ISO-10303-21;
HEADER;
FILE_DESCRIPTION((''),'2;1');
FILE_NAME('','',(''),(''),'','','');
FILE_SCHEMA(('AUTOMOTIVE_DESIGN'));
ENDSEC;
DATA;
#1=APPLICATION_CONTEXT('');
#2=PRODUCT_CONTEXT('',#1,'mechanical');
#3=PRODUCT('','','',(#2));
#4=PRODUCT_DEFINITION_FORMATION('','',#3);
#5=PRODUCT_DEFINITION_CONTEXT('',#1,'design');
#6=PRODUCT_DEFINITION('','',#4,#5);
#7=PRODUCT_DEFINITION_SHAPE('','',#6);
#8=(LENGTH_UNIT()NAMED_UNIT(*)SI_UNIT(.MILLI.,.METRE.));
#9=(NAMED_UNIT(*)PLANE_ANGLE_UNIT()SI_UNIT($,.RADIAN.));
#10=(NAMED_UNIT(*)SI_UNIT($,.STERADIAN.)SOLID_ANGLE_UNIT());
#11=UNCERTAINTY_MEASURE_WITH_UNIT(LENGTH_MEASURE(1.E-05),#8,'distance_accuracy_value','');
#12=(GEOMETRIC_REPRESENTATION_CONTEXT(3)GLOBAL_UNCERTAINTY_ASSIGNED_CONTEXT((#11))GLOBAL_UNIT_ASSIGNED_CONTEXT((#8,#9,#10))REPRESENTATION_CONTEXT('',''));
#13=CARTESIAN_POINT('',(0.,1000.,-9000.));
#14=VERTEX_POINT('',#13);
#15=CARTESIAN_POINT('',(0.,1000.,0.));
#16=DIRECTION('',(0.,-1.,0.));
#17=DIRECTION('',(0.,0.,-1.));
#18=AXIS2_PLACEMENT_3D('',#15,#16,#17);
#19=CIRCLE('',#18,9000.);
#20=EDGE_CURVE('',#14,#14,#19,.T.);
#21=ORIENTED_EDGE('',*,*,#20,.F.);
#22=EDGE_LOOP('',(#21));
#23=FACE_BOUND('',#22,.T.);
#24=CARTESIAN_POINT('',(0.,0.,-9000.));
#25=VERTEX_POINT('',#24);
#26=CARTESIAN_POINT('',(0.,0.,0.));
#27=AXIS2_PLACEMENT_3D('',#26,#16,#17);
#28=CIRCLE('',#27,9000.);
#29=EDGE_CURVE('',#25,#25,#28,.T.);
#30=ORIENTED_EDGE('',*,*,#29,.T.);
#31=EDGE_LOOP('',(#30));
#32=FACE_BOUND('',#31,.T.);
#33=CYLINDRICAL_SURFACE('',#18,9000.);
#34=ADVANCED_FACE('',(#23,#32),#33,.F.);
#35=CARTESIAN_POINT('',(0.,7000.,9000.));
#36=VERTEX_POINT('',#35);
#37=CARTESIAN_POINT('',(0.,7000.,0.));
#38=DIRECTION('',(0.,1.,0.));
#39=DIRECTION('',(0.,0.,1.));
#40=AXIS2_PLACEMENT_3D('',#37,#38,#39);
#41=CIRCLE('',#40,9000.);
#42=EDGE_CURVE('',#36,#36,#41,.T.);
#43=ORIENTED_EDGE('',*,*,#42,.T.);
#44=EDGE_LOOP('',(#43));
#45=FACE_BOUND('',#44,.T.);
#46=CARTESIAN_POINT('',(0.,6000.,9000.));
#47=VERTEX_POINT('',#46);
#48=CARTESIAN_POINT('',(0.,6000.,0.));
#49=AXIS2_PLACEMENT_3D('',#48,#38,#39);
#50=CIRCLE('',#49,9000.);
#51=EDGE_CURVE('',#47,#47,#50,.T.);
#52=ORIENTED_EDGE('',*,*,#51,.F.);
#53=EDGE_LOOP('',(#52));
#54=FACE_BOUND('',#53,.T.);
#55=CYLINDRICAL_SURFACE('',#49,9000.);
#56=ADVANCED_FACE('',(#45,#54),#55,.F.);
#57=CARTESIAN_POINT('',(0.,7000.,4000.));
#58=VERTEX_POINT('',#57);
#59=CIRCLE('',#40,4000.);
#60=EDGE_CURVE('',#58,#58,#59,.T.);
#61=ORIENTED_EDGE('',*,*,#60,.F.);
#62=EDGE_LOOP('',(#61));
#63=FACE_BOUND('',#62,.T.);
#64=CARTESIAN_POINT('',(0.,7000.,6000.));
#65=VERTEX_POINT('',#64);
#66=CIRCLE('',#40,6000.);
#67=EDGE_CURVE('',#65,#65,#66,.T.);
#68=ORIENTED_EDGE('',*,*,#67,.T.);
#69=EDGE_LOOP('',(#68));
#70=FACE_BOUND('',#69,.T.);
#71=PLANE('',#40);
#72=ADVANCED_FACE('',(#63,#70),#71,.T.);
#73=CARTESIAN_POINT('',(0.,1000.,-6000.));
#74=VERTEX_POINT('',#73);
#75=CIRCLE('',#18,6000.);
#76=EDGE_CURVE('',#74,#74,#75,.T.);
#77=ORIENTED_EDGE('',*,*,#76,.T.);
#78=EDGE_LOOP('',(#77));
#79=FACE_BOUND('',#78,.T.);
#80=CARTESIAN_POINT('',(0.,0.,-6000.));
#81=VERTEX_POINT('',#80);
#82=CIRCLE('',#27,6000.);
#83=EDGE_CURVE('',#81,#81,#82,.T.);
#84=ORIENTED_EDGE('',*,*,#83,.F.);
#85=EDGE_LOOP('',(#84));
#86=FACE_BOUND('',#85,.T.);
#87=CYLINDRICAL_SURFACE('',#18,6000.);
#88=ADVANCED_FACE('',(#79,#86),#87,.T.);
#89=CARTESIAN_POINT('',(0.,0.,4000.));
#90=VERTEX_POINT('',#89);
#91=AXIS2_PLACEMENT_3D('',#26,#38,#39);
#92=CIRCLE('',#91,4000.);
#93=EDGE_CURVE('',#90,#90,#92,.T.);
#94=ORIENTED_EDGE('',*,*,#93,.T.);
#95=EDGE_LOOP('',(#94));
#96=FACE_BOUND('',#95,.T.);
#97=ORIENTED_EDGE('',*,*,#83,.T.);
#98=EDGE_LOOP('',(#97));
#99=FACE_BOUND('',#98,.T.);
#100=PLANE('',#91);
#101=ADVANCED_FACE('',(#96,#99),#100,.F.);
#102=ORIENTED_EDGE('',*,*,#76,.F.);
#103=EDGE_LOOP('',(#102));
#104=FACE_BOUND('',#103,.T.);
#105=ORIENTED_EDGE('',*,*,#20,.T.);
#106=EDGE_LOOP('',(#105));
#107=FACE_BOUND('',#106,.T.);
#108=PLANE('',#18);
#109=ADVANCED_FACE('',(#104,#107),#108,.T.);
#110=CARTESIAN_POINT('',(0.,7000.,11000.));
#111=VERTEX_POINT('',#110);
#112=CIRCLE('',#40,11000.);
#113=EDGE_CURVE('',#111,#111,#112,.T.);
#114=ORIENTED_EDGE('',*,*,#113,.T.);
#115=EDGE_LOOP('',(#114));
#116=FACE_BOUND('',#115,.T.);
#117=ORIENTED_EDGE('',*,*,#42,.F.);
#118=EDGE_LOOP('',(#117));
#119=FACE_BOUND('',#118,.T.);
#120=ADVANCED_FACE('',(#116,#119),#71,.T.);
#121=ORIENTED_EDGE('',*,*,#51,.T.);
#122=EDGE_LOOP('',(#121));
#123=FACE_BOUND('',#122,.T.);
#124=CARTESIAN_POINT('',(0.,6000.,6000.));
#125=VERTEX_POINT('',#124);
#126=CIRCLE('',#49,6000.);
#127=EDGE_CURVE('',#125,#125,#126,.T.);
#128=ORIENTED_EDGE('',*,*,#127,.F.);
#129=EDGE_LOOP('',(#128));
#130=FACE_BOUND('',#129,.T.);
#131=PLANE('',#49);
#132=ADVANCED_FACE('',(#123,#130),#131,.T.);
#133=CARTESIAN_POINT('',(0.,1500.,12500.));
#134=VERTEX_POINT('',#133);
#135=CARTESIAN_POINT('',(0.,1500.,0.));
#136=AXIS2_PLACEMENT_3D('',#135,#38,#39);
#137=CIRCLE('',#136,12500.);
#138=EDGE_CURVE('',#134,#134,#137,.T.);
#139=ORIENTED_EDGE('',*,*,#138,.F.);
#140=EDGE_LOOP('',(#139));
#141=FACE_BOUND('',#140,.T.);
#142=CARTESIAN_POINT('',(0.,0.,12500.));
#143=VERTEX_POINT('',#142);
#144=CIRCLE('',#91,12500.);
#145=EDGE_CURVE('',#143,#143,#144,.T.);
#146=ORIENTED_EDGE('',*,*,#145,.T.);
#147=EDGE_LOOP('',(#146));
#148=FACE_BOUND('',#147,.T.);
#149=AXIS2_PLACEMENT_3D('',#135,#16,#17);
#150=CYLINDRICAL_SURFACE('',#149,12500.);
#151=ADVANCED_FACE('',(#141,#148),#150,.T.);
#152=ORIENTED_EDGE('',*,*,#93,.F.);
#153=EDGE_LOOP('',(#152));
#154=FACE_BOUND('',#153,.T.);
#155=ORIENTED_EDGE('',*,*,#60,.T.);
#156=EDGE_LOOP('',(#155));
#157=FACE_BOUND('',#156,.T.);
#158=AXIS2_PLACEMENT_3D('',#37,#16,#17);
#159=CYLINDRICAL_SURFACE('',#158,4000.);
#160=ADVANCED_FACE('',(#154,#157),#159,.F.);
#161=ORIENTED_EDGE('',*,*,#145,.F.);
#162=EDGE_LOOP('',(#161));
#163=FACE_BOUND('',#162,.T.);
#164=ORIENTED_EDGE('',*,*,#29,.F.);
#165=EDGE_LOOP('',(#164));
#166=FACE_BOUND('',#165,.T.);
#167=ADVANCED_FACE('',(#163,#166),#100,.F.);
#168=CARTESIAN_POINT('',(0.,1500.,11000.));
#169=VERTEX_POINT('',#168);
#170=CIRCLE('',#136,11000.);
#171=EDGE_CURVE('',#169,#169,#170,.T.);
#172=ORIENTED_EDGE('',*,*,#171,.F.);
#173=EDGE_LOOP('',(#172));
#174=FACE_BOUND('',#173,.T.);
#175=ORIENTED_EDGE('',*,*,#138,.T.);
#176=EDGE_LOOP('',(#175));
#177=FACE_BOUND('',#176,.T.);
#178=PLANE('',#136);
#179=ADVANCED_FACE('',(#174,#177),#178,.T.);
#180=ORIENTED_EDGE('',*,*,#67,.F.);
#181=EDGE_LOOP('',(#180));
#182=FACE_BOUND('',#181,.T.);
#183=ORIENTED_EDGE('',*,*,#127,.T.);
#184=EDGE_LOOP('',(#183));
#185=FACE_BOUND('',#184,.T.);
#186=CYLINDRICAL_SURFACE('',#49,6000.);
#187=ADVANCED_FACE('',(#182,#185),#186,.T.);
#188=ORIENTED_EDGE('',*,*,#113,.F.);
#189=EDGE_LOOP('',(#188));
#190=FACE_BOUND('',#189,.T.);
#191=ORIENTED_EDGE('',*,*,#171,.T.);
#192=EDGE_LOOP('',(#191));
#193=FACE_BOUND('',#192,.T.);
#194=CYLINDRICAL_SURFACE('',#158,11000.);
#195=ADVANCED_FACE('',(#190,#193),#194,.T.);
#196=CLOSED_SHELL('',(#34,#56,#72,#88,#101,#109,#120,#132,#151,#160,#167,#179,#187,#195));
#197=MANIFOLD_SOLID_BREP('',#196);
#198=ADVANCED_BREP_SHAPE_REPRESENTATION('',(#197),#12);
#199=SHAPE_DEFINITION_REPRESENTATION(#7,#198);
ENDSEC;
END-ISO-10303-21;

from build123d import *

# Parameters (mm, degrees)
SKETCH_1_R          = 11000
SKETCH_1_R_2        = 4000
EXTRUDE_1_DEPTH     = 7000
SKETCH_1_3_R        = 12500
SKETCH_1_3_R_2      = 11000
EXTRUDE_2_DEPTH     = 1500
SKETCH_2_R          = 9000
SKETCH_2_R_2        = 6000
CUT_EXTRUDE_1_DEPTH = 1000
CUT_EXTRUDE_START   = -1000
SKETCH_3_R          = 9000
SKETCH_3_R_2        = 6000
CUT_EXTRUDE_2_DEPTH = 1000


with BuildPart() as part:
    # 草圖1 → 填料-伸長1 (new body)
    with BuildSketch(Plane(origin=(0, 0, 0), x_dir=(1, 0, 0), z_dir=(0, 1, 0))):
        Circle(SKETCH_1_R)
        Circle(SKETCH_1_R_2, mode=Mode.SUBTRACT)
    extrude(amount=EXTRUDE_1_DEPTH)

    # 草圖1<3> → 填料-伸長2 (add)
    with BuildSketch(Plane(origin=(0, 0, 0), x_dir=(1, 0, 0), z_dir=(0, 1, 0))):
        Circle(SKETCH_1_3_R)
        Circle(SKETCH_1_3_R_2, mode=Mode.SUBTRACT)
    extrude(amount=EXTRUDE_2_DEPTH)

    # 草圖2 → 除料-伸長1 (cut)
    with BuildSketch(Plane(origin=(0, 7000, 0), x_dir=(1, 0, 0), z_dir=(0, 1, 0))):
        Circle(SKETCH_2_R)
        Circle(SKETCH_2_R_2, mode=Mode.SUBTRACT)
    extrude(amount=-CUT_EXTRUDE_1_DEPTH, mode=Mode.SUBTRACT)

    # 草圖3 → 除料-伸長2 (cut)
    with BuildSketch(Plane.XZ.offset(CUT_EXTRUDE_START)):
        Circle(SKETCH_3_R)
        Circle(SKETCH_3_R_2, mode=Mode.SUBTRACT)
    extrude(amount=CUT_EXTRUDE_2_DEPTH, mode=Mode.SUBTRACT)


solid = part.part
